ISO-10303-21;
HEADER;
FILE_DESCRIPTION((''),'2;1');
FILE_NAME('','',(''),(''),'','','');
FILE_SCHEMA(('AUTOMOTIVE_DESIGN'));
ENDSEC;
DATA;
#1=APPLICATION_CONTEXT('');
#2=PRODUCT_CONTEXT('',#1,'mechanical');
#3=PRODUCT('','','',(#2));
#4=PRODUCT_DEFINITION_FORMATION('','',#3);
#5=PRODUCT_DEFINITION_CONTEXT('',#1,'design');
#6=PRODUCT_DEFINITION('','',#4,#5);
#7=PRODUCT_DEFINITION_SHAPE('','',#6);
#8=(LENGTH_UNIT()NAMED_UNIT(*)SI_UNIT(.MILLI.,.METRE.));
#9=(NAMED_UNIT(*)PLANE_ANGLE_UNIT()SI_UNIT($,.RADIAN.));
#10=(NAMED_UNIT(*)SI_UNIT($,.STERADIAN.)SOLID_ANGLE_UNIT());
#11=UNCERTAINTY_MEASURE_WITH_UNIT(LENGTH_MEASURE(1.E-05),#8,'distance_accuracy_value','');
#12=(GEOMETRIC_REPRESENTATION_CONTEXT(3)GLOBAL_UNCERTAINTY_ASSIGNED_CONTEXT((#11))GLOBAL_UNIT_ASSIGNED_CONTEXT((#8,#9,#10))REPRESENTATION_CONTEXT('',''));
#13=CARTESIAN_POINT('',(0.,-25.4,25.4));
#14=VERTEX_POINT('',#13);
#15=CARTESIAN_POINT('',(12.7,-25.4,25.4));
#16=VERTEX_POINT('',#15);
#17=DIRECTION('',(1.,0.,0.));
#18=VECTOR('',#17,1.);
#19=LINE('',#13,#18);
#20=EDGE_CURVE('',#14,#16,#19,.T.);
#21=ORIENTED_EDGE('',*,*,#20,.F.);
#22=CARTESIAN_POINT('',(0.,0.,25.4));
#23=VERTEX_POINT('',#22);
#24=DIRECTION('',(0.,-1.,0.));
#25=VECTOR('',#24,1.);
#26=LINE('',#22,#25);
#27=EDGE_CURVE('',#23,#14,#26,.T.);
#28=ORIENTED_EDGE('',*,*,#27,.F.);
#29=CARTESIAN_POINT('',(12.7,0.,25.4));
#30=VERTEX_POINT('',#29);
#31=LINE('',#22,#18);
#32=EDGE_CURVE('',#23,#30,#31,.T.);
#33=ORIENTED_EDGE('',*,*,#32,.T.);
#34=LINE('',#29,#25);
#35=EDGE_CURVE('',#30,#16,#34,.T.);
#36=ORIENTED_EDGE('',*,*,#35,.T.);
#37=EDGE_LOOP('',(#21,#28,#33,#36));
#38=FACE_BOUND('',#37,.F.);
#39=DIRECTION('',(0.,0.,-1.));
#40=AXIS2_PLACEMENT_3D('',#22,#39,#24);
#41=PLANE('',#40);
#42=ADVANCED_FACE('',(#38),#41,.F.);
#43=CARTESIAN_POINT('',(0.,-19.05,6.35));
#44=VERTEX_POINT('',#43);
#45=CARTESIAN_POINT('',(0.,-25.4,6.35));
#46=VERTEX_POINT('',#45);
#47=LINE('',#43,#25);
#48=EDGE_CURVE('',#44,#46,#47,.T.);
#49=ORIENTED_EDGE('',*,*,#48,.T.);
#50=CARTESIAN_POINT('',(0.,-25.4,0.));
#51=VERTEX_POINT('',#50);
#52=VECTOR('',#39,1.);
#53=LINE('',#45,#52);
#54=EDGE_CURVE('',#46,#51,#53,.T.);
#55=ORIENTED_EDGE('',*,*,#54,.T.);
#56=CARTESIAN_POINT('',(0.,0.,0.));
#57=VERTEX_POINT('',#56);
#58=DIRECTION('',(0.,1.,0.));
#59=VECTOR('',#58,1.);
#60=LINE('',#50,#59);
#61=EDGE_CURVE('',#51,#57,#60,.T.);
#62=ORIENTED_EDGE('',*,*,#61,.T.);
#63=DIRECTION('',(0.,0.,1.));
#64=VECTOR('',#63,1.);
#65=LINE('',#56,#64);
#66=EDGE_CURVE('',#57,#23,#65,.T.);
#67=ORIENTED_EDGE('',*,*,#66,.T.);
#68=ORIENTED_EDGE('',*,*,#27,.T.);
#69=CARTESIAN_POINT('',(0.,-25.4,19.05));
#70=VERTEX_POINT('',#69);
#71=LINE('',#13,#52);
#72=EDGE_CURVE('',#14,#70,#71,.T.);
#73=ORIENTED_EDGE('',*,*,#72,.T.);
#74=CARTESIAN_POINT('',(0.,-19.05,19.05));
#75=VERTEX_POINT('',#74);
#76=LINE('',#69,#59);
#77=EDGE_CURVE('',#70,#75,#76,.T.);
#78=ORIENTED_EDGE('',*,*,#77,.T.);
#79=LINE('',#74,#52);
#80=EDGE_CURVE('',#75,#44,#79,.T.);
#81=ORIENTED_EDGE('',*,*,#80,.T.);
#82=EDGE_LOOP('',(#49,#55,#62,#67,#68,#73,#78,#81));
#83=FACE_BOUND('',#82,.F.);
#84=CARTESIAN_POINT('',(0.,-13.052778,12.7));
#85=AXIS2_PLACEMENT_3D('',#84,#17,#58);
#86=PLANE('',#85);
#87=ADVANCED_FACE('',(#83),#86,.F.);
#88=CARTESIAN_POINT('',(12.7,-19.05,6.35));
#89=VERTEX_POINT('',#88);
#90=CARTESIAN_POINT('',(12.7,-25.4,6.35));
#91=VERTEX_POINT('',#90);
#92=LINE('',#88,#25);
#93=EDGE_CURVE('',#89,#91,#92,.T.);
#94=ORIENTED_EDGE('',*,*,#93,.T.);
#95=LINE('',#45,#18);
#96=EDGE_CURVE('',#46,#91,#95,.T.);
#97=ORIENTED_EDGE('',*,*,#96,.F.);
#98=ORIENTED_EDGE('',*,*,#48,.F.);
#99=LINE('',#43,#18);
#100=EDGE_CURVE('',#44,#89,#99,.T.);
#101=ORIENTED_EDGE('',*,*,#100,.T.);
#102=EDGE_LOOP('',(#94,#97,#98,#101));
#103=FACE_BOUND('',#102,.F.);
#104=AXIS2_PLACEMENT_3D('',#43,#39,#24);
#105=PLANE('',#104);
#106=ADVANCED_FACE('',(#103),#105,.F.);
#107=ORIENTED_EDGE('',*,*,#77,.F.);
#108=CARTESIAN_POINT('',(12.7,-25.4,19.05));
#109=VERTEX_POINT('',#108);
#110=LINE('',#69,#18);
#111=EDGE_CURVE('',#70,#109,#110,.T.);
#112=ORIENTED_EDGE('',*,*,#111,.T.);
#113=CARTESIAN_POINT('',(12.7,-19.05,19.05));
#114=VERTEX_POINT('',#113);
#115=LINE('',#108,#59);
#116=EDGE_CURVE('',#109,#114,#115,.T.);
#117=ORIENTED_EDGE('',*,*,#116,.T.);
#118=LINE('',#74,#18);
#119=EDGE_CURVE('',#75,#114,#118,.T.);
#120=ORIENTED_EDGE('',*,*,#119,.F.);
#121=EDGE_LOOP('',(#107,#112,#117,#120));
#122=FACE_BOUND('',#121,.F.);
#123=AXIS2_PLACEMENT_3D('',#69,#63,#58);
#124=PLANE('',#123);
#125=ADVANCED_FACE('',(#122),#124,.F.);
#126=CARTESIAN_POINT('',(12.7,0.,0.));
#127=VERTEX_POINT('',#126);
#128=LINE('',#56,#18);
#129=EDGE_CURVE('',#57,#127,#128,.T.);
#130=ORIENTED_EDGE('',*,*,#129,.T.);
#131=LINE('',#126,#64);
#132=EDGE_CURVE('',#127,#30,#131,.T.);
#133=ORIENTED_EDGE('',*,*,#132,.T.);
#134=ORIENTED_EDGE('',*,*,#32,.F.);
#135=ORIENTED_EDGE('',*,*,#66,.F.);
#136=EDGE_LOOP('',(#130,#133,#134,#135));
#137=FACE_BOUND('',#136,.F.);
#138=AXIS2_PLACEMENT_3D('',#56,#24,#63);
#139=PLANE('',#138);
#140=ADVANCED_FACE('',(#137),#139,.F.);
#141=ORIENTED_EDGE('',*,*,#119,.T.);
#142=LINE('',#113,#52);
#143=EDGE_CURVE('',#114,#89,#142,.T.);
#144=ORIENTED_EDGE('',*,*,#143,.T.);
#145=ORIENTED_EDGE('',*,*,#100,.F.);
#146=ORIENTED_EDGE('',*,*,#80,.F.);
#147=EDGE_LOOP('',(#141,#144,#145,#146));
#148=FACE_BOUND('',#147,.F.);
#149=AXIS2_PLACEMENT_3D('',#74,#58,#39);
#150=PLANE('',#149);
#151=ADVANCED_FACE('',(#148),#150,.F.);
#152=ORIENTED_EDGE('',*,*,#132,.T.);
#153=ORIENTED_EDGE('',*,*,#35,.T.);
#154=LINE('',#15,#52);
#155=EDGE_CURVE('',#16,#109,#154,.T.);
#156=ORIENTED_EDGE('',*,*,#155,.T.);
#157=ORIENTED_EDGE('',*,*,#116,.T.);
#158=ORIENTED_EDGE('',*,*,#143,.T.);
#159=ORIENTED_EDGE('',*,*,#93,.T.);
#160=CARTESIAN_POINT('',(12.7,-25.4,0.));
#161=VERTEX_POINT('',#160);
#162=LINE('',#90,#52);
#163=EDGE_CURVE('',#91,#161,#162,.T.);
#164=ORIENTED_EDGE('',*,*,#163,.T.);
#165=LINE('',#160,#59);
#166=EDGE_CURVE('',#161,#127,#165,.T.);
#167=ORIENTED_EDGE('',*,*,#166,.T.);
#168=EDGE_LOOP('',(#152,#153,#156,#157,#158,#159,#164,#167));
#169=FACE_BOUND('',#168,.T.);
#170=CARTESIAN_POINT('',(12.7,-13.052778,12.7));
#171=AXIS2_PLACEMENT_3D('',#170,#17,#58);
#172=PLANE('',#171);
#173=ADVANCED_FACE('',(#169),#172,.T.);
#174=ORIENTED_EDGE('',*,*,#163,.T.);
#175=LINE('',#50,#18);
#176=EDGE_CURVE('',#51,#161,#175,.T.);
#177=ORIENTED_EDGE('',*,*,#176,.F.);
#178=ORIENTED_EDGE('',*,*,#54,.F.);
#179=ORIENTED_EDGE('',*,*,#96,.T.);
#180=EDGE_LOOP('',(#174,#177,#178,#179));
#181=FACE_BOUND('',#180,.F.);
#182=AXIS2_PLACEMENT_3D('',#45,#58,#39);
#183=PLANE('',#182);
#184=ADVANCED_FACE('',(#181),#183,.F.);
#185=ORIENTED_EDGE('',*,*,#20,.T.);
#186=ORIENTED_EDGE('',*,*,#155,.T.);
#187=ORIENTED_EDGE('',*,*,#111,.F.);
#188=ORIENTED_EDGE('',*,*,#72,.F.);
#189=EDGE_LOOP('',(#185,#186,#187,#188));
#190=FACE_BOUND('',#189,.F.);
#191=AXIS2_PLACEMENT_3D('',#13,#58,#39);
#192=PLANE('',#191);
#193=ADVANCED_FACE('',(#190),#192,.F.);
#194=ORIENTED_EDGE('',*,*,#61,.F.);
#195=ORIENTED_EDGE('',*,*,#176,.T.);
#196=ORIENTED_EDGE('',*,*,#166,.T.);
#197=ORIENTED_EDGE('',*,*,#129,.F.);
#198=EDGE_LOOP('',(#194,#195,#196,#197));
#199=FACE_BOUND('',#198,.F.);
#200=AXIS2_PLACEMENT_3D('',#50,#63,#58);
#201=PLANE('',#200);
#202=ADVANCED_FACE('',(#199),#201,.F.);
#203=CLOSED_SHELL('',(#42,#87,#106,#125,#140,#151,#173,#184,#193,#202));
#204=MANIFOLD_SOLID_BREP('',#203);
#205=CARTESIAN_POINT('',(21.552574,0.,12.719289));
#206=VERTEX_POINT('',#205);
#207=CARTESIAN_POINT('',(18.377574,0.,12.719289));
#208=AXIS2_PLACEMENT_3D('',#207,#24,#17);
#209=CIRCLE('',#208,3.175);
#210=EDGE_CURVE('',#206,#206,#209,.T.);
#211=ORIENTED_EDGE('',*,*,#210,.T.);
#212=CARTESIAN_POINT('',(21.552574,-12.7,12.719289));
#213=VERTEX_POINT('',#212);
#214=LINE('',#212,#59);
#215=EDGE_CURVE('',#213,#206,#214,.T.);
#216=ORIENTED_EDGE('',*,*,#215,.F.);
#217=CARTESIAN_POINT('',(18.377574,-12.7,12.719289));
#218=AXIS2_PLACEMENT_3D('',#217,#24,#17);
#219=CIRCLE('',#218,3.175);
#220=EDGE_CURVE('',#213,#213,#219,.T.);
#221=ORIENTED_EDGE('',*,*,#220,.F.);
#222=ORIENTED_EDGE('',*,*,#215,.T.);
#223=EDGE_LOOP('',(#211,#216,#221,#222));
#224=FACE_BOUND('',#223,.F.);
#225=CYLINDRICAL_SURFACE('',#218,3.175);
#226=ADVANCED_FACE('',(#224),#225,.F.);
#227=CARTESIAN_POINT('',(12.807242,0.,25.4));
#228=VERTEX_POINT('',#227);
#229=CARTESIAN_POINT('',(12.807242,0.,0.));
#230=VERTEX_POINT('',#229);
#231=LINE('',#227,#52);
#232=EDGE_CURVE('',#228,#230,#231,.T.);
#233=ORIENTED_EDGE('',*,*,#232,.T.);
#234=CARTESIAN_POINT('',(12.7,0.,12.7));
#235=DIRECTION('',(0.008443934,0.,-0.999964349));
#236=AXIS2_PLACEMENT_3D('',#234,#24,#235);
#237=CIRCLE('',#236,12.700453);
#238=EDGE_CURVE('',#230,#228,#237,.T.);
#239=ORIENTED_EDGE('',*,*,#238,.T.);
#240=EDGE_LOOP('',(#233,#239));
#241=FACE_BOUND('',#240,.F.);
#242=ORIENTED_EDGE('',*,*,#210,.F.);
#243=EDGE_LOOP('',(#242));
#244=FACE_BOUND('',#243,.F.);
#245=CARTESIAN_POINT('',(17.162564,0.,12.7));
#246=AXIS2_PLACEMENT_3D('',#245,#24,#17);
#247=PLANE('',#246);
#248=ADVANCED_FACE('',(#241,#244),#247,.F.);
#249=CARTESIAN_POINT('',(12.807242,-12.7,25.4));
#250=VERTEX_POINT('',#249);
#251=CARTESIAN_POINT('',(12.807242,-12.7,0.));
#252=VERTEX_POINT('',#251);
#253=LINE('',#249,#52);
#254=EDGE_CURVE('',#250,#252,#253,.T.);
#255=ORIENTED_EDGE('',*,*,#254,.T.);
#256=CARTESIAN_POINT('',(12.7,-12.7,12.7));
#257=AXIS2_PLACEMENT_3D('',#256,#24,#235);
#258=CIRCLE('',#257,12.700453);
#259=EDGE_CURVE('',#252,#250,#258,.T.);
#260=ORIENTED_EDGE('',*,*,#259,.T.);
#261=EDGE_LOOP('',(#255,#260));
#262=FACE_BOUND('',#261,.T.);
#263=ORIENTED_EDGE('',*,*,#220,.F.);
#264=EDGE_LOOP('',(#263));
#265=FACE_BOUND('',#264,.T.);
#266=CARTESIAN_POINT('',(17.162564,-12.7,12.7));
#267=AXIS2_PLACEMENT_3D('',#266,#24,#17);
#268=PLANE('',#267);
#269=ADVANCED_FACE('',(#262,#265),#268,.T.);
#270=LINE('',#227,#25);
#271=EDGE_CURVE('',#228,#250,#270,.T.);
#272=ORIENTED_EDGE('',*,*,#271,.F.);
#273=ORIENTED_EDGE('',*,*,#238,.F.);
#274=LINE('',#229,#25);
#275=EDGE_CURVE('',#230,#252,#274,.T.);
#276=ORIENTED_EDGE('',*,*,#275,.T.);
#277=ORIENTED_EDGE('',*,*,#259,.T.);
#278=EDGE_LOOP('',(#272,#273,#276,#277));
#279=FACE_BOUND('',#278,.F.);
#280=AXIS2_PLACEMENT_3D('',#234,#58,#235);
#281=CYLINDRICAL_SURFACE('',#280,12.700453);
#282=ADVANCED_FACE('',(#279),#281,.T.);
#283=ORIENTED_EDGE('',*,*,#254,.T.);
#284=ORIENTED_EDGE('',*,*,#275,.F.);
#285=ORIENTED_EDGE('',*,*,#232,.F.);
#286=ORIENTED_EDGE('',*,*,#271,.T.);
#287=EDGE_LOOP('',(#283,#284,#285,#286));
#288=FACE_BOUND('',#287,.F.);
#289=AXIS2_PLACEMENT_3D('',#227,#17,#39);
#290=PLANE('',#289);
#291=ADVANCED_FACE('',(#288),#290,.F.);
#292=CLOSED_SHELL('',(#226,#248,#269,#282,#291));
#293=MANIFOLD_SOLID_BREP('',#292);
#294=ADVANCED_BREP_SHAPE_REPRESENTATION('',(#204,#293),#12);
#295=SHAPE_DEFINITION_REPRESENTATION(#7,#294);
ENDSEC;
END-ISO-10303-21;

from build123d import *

# Parameters (mm, degrees)
F1_DEPTH = 12.7
F3_DEPTH = 12.7
F4_R     = 3.175
F5_DEPTH = 12.701


with BuildPart() as f1:
    # F0 (on Right) → F1 (new body)
    with BuildSketch(Plane.YZ):
        Polygon((-25.4, 0), (0, 0), (0, 25.4), (-25.4, 25.4), (-25.4, 19.05), (-19.05, 19.05), (-19.05, 6.35), (-25.4, 6.35), align=None)
    extrude(amount=F1_DEPTH)


with BuildPart() as f3:
    # F2 (on Front) → F3 (new body)
    with BuildSketch(Plane.XZ):
        with BuildLine():
            Line((12.807242, 25.4), (12.807242, 0))
            ThreePointArc((12.807242, 0), (25.400453, 12.7), (12.807242, 25.4))
        make_face()
    extrude(amount=F3_DEPTH)

    # F4 (on face) → F5 (cut, through all)
    with BuildSketch(Plane.XZ.offset(12.7)):
        with Locations((18.377574, 12.719289)):
            Circle(F4_R)
    extrude(amount=-F5_DEPTH, mode=Mode.SUBTRACT)


solid = Compound([f1.part, f3.part])
